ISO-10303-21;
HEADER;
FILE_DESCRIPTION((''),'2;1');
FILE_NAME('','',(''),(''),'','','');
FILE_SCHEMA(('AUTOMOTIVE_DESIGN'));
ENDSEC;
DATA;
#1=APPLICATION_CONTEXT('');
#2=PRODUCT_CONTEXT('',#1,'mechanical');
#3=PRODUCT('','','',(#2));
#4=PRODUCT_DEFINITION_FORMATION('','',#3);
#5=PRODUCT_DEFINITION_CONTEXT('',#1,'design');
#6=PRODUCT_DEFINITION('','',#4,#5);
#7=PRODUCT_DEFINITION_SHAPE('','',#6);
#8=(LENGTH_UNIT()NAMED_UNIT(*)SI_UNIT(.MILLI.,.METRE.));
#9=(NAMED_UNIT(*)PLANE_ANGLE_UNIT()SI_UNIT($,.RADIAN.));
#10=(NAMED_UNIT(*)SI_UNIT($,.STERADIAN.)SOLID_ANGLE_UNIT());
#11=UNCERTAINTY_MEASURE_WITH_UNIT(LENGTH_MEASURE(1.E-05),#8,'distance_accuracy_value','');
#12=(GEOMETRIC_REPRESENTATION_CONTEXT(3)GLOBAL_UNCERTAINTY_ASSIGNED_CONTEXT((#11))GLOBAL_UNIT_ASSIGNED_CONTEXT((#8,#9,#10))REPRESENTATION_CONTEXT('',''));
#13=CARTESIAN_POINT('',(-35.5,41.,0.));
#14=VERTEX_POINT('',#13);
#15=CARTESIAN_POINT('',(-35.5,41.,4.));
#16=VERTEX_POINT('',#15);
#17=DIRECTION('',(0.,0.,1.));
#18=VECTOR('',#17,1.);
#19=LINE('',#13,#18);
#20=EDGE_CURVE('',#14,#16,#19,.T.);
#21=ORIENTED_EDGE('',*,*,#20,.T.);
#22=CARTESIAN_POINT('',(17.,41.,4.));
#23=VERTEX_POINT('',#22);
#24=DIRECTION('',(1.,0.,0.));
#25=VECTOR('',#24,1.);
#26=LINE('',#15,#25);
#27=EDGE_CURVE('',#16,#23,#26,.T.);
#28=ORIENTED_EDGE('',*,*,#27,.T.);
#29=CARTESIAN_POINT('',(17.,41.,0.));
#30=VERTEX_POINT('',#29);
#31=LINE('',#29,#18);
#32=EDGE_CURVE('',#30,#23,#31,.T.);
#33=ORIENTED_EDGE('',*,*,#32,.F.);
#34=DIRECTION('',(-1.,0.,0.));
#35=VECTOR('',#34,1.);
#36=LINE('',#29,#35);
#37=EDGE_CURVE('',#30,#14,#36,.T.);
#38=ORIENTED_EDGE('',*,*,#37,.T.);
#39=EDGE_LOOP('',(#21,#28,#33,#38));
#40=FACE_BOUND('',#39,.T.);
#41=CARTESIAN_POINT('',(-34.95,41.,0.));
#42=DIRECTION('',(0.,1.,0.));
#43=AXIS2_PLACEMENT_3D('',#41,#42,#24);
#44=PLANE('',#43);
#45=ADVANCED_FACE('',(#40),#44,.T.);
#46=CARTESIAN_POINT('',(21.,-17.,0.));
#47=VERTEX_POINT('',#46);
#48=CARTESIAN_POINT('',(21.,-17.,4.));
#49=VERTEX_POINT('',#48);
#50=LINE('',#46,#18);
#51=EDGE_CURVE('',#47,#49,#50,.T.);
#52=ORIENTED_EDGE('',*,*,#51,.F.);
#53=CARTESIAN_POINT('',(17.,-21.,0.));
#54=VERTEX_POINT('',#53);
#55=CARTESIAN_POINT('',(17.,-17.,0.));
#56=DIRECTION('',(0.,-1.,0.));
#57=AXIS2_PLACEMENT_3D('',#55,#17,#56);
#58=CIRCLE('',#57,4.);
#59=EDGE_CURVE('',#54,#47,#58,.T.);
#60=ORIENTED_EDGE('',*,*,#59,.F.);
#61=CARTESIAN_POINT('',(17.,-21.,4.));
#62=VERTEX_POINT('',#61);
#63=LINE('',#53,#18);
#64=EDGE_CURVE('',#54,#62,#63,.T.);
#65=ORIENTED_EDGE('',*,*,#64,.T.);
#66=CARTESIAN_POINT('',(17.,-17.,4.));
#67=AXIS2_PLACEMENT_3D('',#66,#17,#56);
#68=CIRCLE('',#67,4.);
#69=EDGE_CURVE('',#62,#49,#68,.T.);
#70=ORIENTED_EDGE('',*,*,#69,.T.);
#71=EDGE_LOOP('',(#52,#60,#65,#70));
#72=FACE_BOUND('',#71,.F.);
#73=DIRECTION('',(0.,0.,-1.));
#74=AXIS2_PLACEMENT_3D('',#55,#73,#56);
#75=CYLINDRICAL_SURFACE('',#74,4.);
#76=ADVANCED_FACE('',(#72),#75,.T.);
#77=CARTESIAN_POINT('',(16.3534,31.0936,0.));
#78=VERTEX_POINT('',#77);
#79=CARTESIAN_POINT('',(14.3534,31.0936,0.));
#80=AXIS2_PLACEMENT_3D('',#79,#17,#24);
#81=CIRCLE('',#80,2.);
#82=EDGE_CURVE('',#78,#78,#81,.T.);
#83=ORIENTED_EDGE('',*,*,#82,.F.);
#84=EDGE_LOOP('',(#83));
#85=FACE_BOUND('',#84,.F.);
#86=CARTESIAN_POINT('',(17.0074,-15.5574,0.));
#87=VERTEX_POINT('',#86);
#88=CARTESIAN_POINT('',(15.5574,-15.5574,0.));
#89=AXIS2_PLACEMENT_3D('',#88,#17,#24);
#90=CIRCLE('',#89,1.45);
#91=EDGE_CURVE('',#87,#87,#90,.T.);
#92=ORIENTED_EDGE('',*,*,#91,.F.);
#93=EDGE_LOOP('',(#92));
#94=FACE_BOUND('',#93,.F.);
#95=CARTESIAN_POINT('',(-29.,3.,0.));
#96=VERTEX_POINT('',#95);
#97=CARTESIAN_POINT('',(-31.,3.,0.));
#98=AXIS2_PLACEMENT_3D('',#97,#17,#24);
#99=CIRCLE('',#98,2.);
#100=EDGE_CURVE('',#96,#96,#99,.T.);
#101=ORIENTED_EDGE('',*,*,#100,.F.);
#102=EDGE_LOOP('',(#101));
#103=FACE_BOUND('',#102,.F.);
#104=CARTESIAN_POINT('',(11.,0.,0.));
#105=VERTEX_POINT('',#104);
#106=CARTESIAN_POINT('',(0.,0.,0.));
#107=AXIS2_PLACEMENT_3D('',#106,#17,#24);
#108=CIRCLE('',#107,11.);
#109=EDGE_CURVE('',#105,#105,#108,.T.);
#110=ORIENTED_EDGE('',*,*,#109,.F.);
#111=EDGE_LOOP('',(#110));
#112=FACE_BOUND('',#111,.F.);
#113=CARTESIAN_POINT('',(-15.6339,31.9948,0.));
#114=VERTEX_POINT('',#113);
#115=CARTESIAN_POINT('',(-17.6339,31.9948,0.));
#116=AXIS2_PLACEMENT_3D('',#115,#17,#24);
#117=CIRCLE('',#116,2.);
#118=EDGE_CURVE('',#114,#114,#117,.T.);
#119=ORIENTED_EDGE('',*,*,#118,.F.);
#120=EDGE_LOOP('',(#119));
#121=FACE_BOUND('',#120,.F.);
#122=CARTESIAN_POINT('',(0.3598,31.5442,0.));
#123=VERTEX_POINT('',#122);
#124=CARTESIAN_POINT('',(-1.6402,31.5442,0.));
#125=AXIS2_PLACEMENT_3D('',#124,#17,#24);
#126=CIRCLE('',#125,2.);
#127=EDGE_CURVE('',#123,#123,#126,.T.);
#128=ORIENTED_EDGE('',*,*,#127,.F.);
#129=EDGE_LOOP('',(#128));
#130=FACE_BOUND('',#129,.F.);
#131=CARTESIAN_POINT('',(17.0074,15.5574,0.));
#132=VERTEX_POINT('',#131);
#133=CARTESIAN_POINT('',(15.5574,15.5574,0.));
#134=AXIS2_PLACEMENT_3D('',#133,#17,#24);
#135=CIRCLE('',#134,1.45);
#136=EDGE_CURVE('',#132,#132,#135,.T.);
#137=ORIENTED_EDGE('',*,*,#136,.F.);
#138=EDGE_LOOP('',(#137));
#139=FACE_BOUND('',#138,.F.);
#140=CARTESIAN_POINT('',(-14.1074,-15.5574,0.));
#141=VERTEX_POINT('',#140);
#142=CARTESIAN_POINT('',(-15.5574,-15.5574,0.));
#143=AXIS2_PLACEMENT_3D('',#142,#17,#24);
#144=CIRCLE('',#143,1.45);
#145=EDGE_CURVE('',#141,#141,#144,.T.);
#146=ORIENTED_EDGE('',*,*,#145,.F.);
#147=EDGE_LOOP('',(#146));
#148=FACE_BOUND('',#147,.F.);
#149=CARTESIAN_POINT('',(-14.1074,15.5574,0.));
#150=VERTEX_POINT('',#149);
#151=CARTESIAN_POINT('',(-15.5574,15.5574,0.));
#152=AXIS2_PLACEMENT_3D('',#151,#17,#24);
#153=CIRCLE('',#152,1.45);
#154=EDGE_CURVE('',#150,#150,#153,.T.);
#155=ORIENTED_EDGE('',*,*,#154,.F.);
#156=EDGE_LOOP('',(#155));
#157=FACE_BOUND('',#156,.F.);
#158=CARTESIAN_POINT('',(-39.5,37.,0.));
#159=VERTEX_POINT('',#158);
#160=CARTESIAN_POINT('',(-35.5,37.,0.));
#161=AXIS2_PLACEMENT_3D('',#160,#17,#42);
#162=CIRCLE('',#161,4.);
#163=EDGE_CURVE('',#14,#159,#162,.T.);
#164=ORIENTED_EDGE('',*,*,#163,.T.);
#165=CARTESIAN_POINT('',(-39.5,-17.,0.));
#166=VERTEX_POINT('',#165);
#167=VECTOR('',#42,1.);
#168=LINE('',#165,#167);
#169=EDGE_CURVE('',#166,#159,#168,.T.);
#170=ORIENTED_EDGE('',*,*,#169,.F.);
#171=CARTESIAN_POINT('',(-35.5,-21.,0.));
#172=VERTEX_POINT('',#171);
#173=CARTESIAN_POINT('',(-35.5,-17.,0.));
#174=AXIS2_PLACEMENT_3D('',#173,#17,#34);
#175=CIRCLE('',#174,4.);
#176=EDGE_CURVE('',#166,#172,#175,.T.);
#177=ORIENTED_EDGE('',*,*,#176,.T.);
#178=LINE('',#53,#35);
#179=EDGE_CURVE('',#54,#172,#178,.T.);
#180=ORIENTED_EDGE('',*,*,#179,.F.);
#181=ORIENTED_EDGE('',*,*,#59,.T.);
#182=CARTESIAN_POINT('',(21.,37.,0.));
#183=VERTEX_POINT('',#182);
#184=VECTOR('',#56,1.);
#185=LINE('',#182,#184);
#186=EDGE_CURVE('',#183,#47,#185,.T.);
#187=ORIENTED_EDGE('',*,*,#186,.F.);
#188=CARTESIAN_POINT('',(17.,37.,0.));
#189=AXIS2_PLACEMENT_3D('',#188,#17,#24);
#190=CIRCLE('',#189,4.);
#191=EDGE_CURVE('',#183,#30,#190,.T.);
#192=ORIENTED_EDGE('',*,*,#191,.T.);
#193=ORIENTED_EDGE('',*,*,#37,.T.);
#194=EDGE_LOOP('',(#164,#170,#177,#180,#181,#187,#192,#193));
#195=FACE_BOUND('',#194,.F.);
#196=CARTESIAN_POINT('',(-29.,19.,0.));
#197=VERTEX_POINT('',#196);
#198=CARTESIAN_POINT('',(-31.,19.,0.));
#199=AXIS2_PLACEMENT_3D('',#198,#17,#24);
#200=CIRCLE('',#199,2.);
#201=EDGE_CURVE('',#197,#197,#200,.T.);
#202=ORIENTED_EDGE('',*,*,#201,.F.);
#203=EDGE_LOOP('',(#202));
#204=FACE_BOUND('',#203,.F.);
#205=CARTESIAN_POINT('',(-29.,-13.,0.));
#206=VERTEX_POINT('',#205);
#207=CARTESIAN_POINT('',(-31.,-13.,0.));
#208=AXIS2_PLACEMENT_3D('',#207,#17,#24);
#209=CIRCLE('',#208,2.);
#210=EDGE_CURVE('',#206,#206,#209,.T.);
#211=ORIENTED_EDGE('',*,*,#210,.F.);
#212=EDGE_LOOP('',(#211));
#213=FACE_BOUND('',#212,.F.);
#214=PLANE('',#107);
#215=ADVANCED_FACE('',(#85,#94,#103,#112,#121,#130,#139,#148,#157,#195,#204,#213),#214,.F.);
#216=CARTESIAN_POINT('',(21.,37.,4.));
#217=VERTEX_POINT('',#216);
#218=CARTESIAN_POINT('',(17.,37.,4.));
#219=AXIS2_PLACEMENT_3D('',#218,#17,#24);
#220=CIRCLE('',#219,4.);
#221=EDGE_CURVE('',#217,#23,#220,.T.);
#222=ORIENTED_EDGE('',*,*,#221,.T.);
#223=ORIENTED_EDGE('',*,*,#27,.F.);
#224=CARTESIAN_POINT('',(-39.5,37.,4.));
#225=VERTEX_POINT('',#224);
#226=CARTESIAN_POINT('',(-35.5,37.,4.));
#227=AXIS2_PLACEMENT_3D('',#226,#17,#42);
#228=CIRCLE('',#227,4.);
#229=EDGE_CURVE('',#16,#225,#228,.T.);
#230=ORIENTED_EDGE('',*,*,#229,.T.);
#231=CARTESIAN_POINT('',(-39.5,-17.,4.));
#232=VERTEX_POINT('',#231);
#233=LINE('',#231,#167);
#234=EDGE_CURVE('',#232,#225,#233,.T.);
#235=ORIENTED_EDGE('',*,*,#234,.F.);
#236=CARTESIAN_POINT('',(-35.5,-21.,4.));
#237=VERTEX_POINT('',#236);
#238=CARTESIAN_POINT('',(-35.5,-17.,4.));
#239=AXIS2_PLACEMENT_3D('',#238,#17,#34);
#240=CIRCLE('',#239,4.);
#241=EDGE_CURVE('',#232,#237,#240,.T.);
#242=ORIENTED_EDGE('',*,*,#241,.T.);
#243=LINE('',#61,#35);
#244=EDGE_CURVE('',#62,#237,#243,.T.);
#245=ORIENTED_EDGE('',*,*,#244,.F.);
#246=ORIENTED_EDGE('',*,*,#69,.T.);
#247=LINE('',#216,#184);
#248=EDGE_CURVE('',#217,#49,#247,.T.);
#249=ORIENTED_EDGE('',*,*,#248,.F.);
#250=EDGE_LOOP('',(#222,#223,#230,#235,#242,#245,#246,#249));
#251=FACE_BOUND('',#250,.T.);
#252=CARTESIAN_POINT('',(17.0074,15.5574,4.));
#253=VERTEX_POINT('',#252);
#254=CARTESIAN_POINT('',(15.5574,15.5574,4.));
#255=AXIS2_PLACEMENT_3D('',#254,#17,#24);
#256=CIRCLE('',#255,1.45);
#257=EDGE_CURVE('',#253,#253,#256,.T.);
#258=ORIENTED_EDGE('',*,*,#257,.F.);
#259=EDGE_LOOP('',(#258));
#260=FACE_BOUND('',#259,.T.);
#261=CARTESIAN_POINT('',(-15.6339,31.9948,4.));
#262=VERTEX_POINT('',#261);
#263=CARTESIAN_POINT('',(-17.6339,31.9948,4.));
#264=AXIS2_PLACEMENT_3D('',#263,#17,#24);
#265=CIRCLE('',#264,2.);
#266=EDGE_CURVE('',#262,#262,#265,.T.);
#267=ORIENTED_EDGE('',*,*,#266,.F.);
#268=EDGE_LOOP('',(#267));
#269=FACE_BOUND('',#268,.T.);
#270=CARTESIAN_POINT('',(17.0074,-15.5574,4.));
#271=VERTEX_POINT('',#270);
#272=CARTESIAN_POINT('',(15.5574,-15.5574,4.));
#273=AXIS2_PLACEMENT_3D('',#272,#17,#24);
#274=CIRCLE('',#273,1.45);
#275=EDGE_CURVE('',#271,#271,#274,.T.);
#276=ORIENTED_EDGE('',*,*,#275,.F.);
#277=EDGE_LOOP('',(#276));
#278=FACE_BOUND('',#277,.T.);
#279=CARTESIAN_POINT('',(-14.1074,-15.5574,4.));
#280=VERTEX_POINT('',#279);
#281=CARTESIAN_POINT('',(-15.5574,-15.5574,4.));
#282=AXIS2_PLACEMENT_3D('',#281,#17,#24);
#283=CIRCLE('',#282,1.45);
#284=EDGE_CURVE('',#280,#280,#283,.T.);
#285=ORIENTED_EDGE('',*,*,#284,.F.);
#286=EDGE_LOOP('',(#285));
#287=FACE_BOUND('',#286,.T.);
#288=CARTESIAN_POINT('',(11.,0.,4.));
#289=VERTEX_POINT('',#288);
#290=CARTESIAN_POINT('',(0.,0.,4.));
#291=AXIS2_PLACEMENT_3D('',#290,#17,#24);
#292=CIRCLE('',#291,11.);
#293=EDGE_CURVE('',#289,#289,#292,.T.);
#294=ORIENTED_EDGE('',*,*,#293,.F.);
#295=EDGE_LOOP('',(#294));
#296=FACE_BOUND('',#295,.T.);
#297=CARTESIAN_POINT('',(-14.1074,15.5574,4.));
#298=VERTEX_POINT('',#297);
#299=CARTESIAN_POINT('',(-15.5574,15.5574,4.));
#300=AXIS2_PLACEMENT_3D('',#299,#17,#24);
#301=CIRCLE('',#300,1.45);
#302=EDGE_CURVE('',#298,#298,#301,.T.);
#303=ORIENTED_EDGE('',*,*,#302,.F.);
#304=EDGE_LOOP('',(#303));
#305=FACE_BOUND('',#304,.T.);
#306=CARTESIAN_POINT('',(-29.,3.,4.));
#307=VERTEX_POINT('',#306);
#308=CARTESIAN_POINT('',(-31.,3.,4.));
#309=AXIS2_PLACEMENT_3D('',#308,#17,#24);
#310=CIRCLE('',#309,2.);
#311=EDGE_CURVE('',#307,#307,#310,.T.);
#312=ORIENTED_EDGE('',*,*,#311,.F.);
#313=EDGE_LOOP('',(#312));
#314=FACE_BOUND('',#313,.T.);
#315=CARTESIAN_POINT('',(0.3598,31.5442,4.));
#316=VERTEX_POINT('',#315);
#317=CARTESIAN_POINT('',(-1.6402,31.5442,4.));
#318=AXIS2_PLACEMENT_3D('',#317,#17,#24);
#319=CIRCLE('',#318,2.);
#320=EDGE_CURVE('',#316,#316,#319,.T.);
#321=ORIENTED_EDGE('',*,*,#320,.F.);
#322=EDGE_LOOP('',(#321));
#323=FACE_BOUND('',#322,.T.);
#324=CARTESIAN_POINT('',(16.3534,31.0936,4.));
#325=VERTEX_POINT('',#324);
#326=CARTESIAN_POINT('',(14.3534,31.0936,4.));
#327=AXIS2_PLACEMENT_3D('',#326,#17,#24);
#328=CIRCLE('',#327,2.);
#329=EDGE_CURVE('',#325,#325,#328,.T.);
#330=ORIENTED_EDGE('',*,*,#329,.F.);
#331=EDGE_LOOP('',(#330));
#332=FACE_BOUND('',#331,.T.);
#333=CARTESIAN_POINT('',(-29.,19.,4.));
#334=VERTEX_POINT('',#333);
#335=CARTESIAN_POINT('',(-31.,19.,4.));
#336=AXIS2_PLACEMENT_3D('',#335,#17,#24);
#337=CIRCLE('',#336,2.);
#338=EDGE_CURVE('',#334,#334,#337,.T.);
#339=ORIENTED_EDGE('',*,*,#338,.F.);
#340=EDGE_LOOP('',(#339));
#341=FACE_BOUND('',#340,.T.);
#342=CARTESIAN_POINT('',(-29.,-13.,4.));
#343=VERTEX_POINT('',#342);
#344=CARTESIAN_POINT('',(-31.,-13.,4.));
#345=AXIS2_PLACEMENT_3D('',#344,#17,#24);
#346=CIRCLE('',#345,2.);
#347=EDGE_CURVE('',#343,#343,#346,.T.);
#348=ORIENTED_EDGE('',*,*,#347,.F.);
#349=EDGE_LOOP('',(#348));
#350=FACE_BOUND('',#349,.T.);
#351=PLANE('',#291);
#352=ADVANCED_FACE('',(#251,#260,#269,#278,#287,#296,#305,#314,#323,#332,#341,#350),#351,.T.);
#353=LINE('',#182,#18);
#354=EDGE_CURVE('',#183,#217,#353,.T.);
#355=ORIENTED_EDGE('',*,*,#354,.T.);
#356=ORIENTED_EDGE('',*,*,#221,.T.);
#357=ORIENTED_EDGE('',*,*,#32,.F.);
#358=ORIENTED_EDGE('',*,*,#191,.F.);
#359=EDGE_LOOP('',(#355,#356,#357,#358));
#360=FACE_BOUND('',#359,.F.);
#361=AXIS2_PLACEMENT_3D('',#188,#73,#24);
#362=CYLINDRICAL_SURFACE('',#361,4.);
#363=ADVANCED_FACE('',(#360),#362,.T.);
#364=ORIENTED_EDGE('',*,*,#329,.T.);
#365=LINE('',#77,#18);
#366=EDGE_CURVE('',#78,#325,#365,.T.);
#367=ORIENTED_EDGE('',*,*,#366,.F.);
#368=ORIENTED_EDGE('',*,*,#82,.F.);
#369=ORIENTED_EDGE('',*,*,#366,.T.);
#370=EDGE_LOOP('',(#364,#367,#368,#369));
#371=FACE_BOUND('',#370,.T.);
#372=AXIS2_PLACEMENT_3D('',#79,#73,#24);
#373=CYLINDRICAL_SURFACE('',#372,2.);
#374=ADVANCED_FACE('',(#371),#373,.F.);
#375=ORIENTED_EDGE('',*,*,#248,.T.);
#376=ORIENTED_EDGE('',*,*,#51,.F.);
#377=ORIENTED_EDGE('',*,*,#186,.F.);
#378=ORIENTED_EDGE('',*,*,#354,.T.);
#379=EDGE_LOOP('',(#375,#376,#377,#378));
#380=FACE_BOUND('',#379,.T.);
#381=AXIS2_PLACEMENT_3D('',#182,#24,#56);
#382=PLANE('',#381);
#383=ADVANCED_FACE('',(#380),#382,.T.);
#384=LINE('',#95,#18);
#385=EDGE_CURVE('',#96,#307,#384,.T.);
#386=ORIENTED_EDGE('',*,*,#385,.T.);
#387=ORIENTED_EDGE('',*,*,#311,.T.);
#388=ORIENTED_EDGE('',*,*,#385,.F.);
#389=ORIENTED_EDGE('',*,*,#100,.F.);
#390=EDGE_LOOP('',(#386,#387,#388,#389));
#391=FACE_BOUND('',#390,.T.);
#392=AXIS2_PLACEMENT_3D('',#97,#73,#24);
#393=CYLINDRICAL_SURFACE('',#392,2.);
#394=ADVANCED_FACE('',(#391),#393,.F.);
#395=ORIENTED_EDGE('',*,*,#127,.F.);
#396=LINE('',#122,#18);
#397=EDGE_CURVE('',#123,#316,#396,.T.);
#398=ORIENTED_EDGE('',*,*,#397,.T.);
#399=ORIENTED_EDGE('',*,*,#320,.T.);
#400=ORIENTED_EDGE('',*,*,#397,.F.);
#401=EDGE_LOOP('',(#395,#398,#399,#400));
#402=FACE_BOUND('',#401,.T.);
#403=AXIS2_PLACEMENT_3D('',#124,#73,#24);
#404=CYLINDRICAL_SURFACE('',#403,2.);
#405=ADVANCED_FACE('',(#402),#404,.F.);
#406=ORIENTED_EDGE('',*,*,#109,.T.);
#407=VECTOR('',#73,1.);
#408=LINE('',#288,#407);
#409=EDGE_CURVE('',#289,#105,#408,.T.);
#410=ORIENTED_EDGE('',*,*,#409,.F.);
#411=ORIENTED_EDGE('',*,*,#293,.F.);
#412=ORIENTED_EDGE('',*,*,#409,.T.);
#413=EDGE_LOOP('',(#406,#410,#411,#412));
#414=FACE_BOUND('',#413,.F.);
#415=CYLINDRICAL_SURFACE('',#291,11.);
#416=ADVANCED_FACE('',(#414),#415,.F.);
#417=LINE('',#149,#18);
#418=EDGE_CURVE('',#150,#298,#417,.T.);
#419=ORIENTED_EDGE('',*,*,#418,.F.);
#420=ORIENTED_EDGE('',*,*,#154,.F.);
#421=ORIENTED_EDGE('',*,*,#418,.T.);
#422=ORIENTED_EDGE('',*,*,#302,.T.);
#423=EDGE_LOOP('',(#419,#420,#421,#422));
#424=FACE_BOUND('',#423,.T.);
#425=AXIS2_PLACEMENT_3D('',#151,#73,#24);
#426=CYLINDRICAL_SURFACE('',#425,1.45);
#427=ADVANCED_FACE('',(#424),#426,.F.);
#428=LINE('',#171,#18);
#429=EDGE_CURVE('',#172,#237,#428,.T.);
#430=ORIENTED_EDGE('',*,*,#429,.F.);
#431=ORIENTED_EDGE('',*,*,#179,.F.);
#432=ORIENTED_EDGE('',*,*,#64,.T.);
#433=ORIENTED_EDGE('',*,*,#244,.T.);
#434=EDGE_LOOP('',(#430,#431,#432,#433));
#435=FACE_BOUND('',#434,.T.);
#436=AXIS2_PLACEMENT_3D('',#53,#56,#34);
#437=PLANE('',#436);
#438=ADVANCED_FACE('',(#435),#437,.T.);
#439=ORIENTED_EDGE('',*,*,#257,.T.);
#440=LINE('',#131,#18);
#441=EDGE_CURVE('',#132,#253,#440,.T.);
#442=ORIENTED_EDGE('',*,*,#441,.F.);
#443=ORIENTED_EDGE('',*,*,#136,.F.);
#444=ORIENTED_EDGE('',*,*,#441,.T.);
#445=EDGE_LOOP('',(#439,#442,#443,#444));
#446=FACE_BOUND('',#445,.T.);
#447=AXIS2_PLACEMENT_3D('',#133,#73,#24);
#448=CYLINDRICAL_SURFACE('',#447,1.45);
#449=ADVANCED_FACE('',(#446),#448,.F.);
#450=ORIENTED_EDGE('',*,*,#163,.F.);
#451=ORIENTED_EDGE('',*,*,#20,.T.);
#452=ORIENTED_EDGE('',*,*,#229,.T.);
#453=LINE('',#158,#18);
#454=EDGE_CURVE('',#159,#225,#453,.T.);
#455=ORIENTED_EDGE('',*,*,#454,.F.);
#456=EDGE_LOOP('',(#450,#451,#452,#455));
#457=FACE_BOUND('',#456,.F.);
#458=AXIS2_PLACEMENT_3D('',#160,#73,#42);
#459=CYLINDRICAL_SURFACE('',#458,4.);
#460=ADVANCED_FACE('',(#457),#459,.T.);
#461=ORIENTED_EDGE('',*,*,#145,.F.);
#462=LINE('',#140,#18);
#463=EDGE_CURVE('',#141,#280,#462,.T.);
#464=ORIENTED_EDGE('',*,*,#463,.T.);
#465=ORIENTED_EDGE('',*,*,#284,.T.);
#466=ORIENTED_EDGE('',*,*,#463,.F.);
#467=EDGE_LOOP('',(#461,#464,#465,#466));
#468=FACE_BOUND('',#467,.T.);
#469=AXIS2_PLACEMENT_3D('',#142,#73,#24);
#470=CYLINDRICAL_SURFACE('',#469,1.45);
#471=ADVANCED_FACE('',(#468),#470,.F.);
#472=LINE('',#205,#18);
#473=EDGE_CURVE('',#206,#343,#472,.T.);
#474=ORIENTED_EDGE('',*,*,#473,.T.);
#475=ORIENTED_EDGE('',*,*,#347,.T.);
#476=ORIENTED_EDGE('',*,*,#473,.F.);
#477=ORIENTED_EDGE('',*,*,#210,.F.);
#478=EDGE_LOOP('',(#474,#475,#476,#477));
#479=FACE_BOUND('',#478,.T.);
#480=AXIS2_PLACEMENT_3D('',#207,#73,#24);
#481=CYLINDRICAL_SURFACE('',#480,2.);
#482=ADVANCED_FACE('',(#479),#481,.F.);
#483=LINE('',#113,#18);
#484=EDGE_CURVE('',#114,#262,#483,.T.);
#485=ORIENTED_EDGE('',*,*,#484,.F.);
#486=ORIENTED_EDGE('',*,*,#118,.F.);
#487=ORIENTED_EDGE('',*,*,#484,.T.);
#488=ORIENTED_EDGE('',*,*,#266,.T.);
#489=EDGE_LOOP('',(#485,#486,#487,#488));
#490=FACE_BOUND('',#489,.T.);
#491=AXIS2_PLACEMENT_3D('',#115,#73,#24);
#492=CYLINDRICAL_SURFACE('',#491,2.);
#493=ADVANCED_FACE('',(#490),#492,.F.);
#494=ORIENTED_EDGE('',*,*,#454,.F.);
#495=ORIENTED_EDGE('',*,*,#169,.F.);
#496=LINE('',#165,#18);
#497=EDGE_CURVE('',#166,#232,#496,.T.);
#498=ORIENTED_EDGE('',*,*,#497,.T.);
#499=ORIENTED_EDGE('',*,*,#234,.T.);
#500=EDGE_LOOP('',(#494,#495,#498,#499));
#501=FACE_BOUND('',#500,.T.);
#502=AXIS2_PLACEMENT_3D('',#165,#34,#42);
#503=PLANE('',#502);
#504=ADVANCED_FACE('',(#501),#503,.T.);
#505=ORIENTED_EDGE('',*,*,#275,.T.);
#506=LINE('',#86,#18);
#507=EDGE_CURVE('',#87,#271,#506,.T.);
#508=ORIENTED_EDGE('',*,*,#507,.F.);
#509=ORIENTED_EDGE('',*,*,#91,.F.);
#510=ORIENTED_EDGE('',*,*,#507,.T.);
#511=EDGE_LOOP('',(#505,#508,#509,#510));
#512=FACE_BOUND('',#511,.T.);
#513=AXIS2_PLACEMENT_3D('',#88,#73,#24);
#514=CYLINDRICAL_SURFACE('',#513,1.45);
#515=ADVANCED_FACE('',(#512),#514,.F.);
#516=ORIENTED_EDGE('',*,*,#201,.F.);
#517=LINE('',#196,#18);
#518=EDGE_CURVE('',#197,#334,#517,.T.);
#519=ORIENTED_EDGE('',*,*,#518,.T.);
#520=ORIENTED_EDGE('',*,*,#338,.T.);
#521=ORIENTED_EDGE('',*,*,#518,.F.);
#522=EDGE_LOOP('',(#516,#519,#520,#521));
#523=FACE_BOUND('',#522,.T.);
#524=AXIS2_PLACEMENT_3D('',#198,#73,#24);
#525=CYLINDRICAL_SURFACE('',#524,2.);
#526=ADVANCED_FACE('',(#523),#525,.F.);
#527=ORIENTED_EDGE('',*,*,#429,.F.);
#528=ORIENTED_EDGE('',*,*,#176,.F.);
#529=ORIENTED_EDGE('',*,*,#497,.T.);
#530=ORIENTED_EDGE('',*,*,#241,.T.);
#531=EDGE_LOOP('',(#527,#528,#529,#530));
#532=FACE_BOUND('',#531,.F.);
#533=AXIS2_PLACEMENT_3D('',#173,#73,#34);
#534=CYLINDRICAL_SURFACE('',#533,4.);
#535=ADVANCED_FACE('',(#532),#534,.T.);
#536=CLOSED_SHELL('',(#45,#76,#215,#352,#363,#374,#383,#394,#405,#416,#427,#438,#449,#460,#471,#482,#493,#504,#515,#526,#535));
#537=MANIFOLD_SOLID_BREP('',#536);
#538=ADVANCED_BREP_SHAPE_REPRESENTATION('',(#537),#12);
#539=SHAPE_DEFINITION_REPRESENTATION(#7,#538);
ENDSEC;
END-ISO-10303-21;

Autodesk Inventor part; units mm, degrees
ref_plane "YZ Plane" through (0, 0, 0) normal (1, 0, 0) x (0, 1, 0)
ref_plane "XZ Plane" through (0, 0, 0) normal (0, 1, 0) x (-1, 0, 0)
ref_plane "XY Plane" through (0, 0, 0) normal (0, 0, 1) x (1, 0, 0)
sketch "Эскиз1" plane through (0, 0, 0) normal (0, 0, 1) x (1, 0, 0)
  line L0 (-34.95, 41) -> (-39.5, 41) projected
  line L1 (17, -21) -> (-35.5, -21)
  line L2 (-39.5, -17) -> (-39.5, 37)
  line L3 (-35.5, 41) -> (17, 41)
  line L4 (21, 37) -> (21, -17)
  arc A0 (-39.5, -17) -> (-35.5, -21) centre (-35.5, -17) ccw
  arc A1 (17, -21) -> (21, -17) centre (17, -17) ccw
  arc A2 (21, 37) -> (17, 41) centre (17, 37) ccw
  arc A3 (-35.5, 41) -> (-39.5, 37) centre (-35.5, 37) ccw
  circle A4 centre (-15.5574, -15.5574) radius 1.45 projected
  circle A5 centre (-15.5574, 15.5574) radius 1.45 projected
  circle A6 centre (15.5574, 15.5574) radius 1.45 projected
  circle A7 centre (15.5574, -15.5574) radius 1.45 projected
  line L5 (-34.95, 41) -> (-34.95, -219) construction
  line L6 (-27.05, 41) -> (-27.05, -219) construction
  line L7 (-27.05, -13) -> (-34.95, -13) construction
  circle A8 centre (-31, -13) radius 2
  circle A9 centre (-31, 3) radius 2
  circle A10 centre (-31, 19) radius 2
  line L8 (-35.5, 37) -> (17, -17) construction
  circle A11 centre (14.3534, 31.0936) radius 2
  circle A12 centre (-1.6402, 31.5442) radius 2
  circle A13 centre (-17.6339, 31.9948) radius 2
  point P0 (0, 0)
  point P1 (21, -21)
  dimension "d0" = 4
  dimension "d1" = 8
  dimension "d2" = 4
  dimension "d3" = 4
  dimension "d4" = 4
  dimension "d5" = 16
  dimension "d6" = 16
extrude "Выдавливание1" add sketch "Эскиз1" along normal blind 4
sketch "Эскиз2" plane through (0, 0, 4) normal (0, 0, 1) x (1, 0, 0)
  circle A0 centre (0, 0) radius 11 projected
  point P0 (0, 0)
extrude "Выдавливание2" cut sketch "Эскиз2" against normal blind 4
properties part number "креп_мотора"
